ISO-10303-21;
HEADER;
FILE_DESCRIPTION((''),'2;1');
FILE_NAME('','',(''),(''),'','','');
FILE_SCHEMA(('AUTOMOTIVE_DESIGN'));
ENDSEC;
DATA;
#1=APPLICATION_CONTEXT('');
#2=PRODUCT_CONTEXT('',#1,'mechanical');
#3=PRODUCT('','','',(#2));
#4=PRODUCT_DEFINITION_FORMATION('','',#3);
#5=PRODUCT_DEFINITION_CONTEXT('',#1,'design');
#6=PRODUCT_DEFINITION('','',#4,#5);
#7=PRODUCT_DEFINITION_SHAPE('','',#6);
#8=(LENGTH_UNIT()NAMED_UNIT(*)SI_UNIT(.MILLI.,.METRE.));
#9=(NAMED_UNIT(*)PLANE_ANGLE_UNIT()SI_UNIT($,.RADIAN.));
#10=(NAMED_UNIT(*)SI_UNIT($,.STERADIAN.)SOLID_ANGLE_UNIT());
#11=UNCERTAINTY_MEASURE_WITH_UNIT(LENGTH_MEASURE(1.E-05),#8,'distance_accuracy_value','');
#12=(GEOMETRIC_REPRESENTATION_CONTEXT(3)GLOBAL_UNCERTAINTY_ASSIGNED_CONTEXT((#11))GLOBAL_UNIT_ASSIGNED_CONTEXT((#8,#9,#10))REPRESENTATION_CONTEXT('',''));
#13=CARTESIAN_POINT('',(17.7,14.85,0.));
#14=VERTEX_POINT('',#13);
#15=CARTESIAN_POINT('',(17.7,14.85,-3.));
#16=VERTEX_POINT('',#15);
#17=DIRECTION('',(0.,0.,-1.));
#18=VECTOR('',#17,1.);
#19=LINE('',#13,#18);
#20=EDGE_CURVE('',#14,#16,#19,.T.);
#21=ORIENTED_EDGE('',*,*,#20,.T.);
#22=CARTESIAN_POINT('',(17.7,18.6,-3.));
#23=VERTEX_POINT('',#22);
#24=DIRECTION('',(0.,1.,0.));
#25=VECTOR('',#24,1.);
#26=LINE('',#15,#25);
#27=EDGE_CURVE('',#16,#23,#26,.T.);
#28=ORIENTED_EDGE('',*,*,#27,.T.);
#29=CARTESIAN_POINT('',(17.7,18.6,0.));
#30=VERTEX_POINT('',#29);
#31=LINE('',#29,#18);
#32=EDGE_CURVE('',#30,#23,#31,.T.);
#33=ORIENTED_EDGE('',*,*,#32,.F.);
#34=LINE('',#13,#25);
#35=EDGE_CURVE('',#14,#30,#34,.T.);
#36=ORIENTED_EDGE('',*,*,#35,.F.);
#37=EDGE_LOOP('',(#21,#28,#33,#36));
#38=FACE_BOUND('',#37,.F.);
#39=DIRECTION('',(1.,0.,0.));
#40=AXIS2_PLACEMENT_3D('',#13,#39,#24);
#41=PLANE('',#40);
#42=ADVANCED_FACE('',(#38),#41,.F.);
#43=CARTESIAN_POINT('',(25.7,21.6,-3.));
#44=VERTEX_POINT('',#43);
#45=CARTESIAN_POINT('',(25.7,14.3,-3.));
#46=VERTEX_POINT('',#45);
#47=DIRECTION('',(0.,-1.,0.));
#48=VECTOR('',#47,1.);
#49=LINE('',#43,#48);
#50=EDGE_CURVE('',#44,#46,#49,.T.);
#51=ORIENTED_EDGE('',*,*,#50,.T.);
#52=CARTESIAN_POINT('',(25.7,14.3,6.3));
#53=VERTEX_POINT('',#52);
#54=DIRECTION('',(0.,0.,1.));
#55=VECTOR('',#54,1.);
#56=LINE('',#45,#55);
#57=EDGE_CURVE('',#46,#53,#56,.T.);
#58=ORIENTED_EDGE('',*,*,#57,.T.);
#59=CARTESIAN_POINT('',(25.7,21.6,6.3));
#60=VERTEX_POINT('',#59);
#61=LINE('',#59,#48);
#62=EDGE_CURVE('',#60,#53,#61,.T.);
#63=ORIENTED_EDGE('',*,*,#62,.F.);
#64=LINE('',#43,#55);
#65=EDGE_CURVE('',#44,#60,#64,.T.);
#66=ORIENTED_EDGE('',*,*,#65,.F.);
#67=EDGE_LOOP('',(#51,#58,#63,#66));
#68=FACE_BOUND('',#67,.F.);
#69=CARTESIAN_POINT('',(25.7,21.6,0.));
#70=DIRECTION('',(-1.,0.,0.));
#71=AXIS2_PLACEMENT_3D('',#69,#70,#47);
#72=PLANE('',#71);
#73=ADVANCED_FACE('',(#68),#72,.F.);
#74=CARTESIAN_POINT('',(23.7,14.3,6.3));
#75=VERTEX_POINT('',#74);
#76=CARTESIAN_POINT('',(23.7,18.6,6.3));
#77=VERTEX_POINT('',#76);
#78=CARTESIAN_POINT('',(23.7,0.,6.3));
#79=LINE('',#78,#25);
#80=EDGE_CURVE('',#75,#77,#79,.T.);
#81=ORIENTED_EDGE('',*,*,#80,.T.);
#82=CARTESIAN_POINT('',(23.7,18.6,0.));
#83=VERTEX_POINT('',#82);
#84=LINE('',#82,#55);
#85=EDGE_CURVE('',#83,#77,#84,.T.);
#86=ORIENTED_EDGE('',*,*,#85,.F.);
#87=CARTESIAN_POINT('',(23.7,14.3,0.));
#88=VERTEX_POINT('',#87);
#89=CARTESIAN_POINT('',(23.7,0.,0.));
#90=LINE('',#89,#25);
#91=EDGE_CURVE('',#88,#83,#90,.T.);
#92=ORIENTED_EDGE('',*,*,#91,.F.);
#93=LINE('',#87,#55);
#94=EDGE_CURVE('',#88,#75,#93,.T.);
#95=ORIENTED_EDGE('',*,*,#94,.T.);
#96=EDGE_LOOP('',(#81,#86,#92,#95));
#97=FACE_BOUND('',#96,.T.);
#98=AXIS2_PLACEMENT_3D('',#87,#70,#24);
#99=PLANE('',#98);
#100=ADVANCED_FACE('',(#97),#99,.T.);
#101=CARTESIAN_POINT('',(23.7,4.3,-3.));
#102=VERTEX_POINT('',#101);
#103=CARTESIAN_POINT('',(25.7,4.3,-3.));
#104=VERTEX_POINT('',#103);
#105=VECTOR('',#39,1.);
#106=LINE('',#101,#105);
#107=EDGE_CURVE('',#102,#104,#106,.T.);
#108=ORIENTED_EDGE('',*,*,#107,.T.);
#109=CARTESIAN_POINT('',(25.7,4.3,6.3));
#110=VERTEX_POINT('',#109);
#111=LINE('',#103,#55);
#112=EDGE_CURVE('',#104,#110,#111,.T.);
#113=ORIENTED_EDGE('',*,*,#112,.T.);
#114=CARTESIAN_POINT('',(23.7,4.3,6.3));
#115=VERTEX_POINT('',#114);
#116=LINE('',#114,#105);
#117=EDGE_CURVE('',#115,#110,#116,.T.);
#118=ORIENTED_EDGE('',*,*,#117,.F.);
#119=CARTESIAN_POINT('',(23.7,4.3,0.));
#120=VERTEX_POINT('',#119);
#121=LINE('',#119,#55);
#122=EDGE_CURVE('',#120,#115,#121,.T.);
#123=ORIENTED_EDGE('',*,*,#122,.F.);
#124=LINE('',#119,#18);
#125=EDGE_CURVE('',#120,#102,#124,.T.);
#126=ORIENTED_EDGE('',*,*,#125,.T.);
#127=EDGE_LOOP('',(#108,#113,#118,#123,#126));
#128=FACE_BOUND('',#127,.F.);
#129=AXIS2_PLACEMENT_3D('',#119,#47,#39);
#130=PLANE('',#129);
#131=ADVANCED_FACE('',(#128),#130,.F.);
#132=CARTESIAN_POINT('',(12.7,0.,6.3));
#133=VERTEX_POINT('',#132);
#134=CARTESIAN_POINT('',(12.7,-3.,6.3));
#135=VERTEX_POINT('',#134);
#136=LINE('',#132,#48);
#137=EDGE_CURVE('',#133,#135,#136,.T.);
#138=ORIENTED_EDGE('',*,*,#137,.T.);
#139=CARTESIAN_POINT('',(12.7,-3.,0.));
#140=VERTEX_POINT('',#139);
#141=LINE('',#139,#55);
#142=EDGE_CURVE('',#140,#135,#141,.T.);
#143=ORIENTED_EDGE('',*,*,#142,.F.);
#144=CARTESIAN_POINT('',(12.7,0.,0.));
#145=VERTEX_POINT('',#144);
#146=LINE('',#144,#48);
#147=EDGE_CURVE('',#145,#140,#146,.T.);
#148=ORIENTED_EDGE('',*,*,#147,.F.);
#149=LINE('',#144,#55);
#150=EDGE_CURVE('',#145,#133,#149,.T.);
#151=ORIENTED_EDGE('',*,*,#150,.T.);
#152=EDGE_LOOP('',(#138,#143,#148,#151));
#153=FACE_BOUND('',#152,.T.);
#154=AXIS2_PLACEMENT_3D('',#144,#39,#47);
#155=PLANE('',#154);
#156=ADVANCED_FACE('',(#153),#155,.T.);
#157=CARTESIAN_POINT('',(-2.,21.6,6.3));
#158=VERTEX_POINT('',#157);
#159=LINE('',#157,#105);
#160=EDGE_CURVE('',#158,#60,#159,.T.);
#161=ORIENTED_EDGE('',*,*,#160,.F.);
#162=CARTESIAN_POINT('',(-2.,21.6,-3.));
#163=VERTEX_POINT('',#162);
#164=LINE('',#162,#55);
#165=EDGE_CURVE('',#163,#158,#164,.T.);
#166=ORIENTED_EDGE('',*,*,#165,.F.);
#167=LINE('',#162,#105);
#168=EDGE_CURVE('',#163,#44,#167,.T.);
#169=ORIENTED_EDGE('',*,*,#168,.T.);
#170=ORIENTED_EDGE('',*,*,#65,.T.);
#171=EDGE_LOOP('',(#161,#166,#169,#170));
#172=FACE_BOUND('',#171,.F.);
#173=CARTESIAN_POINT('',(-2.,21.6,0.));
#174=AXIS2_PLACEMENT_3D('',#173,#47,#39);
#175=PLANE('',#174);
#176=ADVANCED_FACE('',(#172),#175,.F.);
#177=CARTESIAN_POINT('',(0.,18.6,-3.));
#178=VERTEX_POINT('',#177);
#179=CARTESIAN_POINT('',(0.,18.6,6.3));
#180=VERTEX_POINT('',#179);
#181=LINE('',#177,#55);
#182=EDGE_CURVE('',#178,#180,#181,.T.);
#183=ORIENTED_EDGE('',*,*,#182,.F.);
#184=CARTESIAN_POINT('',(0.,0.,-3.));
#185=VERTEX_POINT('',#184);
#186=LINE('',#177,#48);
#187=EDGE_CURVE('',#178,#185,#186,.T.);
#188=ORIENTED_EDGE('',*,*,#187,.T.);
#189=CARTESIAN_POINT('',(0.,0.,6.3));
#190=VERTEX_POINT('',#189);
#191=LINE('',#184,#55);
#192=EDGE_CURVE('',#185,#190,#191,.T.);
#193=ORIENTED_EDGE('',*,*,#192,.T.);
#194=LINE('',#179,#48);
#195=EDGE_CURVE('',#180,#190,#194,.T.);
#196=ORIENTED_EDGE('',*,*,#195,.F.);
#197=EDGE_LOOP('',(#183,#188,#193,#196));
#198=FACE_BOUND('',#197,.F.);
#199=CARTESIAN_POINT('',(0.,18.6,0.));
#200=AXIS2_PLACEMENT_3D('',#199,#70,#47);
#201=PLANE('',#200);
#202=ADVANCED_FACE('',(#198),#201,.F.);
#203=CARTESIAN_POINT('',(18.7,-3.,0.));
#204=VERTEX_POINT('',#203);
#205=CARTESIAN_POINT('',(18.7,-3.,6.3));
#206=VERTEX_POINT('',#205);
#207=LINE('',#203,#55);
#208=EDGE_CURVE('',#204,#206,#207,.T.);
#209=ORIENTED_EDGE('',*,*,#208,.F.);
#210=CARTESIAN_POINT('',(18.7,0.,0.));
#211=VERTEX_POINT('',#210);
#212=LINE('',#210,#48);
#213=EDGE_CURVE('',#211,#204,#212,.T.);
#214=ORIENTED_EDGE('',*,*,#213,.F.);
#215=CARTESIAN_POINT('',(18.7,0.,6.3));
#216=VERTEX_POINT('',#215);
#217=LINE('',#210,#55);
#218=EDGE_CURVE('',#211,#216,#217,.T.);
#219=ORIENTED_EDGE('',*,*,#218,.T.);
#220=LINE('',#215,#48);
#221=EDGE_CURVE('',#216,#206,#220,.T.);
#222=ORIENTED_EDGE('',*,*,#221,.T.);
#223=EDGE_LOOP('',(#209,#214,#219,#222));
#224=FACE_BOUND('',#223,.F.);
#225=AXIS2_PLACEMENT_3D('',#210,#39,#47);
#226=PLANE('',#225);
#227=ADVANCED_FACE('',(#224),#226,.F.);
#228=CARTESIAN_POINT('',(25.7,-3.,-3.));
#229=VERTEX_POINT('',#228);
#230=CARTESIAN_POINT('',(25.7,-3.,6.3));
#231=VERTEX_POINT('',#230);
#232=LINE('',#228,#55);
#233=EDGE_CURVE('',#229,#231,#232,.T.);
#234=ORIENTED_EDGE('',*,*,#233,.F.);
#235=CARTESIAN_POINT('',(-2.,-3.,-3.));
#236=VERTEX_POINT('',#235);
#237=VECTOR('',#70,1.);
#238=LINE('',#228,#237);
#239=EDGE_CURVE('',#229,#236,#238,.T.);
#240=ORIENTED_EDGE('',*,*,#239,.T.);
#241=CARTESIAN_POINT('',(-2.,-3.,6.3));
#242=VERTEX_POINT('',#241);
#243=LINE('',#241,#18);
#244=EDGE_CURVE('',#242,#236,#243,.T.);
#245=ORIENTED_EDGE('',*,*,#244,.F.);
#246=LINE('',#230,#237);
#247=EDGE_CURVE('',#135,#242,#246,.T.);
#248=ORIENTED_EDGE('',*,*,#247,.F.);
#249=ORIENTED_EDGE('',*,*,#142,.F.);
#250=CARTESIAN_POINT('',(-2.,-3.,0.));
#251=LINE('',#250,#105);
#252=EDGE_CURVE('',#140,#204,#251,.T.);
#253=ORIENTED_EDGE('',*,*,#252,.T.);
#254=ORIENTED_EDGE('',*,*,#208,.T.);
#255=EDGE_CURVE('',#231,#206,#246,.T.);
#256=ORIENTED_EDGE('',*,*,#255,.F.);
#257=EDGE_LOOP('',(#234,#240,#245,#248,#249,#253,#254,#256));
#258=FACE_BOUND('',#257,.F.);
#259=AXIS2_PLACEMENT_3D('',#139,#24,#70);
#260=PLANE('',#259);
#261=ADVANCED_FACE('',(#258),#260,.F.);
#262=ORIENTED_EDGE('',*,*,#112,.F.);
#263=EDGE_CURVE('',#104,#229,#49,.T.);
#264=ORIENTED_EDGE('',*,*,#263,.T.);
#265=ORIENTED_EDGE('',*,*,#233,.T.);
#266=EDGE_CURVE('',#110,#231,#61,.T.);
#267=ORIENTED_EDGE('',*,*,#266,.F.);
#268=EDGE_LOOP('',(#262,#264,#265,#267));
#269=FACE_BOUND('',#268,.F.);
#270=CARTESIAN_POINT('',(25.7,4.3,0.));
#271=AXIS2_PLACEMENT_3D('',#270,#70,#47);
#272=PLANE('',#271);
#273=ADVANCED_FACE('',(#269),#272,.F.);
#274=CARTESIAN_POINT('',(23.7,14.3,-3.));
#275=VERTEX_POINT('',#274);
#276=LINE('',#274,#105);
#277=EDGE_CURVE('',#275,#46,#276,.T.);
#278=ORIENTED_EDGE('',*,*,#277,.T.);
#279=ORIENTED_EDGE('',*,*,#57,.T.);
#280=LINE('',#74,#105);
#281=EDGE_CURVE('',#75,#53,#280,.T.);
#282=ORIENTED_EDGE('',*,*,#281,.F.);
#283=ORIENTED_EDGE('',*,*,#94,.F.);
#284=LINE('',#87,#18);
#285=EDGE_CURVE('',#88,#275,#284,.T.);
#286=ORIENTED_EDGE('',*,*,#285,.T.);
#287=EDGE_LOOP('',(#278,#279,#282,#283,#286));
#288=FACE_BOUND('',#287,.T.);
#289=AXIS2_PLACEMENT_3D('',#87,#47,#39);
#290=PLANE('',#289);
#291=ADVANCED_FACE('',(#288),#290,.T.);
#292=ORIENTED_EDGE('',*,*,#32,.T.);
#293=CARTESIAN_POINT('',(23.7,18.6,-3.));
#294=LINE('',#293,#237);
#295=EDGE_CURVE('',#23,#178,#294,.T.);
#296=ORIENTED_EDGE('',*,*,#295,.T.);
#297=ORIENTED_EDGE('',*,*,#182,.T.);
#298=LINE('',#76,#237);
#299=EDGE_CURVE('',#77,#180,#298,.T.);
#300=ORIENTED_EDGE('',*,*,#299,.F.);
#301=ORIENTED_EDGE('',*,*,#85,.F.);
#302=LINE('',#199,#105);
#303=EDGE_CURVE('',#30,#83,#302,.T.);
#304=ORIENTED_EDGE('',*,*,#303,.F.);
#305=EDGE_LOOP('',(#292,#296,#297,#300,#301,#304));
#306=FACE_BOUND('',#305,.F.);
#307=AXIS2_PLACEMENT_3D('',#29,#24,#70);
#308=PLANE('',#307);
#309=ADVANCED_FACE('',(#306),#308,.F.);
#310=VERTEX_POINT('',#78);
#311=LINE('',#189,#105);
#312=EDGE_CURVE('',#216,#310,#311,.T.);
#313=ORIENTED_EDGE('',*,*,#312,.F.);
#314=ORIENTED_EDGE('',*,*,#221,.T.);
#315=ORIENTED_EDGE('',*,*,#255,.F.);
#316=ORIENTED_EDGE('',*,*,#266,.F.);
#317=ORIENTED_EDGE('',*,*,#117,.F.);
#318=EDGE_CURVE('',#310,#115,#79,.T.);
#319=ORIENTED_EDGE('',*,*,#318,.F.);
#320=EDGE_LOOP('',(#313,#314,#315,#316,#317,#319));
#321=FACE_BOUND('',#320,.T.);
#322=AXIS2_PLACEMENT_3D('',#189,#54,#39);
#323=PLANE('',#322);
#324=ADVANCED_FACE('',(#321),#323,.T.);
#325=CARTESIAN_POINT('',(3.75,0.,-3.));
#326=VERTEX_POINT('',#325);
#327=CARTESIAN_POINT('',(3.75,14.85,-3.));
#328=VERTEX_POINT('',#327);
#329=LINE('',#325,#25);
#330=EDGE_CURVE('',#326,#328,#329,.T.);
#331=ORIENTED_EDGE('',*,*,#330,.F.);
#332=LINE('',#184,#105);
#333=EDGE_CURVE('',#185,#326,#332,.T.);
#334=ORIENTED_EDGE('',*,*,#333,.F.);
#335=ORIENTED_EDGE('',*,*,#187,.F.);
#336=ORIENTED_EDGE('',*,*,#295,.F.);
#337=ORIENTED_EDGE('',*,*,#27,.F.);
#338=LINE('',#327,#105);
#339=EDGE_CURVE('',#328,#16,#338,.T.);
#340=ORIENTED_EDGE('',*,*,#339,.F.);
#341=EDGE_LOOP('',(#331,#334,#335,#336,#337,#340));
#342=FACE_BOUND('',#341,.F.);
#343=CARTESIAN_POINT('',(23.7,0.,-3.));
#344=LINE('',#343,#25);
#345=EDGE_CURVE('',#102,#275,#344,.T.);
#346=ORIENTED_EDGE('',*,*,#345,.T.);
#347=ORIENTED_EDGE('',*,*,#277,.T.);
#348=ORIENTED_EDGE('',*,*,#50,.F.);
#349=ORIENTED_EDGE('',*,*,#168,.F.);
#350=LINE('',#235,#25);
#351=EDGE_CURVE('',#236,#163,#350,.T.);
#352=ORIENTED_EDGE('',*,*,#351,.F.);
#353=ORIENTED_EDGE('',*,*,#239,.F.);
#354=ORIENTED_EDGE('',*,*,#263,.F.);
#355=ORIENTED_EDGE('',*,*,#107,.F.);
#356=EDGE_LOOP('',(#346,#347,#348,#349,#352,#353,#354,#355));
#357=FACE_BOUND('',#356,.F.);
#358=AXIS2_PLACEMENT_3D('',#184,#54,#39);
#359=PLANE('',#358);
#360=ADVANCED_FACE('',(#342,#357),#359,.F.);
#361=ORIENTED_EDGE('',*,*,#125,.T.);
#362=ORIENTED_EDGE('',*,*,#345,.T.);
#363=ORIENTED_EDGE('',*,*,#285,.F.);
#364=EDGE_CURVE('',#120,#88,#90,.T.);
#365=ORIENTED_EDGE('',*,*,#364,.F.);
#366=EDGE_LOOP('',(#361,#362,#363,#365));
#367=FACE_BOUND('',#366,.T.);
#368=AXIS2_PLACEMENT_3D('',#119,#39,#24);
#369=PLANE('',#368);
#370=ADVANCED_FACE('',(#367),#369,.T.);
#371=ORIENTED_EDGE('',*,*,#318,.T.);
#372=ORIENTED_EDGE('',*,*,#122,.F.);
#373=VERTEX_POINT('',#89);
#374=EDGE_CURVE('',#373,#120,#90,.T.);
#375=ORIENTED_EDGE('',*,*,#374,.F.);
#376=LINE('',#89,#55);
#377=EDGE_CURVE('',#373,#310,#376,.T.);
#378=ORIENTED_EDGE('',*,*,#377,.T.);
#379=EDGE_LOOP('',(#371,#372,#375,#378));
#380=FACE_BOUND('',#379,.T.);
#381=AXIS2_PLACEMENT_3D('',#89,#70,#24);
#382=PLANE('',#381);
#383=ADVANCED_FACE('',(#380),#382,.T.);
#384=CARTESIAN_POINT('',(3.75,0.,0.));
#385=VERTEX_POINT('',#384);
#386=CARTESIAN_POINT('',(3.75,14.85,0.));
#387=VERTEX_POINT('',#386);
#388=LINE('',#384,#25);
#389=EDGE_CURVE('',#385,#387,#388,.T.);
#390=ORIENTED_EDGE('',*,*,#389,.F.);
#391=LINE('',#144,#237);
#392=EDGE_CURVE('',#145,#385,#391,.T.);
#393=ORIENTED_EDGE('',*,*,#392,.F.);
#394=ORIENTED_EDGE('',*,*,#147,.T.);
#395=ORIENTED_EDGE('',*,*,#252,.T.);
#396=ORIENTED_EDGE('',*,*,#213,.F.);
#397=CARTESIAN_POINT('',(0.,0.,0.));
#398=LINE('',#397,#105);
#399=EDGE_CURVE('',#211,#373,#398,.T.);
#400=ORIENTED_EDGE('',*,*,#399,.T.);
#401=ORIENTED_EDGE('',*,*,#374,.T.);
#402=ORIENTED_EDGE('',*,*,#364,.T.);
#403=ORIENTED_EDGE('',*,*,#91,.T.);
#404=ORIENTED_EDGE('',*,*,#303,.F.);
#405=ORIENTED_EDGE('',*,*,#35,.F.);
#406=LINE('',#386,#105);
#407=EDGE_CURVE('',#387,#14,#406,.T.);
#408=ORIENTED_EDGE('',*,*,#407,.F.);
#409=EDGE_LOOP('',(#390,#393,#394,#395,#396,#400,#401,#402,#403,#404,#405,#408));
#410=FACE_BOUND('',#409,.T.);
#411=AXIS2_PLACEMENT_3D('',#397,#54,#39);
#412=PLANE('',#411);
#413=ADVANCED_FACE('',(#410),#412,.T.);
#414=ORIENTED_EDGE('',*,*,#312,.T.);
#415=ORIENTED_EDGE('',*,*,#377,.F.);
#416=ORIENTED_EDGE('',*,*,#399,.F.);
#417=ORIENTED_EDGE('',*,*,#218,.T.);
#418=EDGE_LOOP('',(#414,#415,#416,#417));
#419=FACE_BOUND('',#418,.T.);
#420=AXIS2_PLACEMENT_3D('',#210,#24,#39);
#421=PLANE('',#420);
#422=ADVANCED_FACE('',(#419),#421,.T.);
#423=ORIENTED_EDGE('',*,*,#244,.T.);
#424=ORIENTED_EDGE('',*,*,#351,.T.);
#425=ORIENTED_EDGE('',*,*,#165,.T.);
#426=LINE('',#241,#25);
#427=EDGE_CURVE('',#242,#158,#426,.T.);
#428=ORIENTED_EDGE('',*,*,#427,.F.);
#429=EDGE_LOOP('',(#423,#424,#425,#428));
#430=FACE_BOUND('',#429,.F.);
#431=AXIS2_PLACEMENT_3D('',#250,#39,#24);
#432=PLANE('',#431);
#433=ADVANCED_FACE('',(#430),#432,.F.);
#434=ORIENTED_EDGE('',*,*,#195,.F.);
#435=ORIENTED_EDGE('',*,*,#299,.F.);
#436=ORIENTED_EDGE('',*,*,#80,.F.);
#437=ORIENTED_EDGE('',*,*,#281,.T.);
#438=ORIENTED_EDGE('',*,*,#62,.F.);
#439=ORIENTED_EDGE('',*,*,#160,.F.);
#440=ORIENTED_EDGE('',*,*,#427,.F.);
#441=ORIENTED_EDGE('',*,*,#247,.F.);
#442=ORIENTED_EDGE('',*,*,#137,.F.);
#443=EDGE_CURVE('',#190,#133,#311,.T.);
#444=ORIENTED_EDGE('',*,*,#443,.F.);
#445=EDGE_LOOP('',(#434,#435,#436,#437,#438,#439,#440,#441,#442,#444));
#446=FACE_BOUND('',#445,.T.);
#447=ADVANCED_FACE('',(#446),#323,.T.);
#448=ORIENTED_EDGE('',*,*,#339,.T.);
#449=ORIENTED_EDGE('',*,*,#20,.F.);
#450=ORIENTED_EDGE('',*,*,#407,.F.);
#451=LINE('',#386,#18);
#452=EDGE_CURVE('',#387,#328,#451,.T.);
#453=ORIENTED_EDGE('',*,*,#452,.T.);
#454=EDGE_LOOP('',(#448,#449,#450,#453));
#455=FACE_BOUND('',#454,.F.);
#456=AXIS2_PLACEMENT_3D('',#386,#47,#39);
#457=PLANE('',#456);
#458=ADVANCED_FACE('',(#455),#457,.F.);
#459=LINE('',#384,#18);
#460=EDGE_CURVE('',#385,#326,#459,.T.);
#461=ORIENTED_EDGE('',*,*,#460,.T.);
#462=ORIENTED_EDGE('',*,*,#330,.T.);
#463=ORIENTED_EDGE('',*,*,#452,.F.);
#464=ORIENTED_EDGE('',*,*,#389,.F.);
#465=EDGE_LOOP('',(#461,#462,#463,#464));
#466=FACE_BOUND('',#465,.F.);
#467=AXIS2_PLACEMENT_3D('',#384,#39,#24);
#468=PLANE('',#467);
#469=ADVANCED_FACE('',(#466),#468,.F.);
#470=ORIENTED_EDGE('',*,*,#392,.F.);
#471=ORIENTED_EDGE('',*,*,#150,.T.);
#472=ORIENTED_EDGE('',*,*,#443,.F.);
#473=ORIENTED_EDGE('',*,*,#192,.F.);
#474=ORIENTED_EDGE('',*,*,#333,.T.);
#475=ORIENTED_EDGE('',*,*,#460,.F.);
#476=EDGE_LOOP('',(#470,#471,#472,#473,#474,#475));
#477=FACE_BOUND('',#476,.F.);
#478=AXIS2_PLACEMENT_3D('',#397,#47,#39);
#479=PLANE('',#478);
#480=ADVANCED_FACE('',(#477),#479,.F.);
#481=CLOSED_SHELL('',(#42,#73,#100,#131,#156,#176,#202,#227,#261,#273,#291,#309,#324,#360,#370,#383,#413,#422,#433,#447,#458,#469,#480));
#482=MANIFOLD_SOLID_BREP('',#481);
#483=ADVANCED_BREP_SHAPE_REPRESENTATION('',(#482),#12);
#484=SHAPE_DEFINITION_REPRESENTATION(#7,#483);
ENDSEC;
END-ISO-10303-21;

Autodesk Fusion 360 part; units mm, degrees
sketch "Sketch1" plane through (0, 0, 0) normal (0, 0, 1) x (1, 0, 0) in component "case"
  line L0 (0, 0) -> (23.7, 0)
  line L1 (23.7, 0) -> (23.7, 18.6)
  line L2 (23.7, 18.6) -> (0, 18.6)
  line L3 (0, 18.6) -> (0, 0)
  circle A0 centre (21, 16.05) radius 1.5
  circle A1 centre (21, 2.55) radius 1.5
  line L4 (21, 16.05) -> (21, 2.55) construction
  line L5 (23.7, 9.3) -> (0, 9.3) construction
  line L6 (3.75, 0) -> (3.75, 14.85)
  line L7 (3.75, 14.85) -> (17.7, 14.85)
  line L8 (17.7, 14.85) -> (17.7, 18.6)
  line L9 (-2, 21.6) -> (25.7, 21.6)
  line L10 (25.7, 21.6) -> (25.7, -3)
  line L11 (25.7, -3) -> (-2, -3)
  line L12 (-2, -3) -> (-2, 21.6)
  line L13 (11.85, -3) -> (11.85, 21.6) construction
  line L14 (18.7, 0) -> (18.7, -3)
  line L15 (12.7, 0) -> (12.7, -3)
  line L16 (23.7, 14.3) -> (25.7, 14.3)
  line L17 (23.7, 4.3) -> (25.7, 4.3)
  line L18 (24.7, 14.3) -> (24.7, 4.3) construction
  point P0 (21, 9.3)
  point P1 (24.7, 9.3)
  dimension "d1" = 23.7
  dimension "d2" = 18.6
  dimension "d3" = 3
  dimension "d4" = 3
  dimension "d5" = 16.5
  dimension "d6" = 1.2
  dimension "d7" = 6
  dimension "d8" = 3.75
  dimension "d12" = 3
  dimension "d13" = 2
  dimension "d14" = 5
  dimension "d15" = 6
  dimension "d18" = 10
  dimension "d19" = 3.75
extrude "Extrude1" add sketch "Sketch1" against normal blind 3 contours L0 L1 L2 L3 L9 L10 L11 L12 L15 L16 | L0 L1 L2 L6 L7 L8 | L0 L11 L14 L15 | L0 L1 L10 L11 L14 L17 | A0 | A1 in component "case"
extrude "Extrude2" add sketch "Sketch1" along normal blind 6.3 contours L0 L1 L2 L3 L9 L10 L11 L12 L15 L16 | L0 L1 L10 L11 L14 L17 in component "case"
component "case" placed x (1, 0, 0) y (0, 1, 0) z (0, 0, 1) at (0, 0, 0)
equation "d19 = d8"
